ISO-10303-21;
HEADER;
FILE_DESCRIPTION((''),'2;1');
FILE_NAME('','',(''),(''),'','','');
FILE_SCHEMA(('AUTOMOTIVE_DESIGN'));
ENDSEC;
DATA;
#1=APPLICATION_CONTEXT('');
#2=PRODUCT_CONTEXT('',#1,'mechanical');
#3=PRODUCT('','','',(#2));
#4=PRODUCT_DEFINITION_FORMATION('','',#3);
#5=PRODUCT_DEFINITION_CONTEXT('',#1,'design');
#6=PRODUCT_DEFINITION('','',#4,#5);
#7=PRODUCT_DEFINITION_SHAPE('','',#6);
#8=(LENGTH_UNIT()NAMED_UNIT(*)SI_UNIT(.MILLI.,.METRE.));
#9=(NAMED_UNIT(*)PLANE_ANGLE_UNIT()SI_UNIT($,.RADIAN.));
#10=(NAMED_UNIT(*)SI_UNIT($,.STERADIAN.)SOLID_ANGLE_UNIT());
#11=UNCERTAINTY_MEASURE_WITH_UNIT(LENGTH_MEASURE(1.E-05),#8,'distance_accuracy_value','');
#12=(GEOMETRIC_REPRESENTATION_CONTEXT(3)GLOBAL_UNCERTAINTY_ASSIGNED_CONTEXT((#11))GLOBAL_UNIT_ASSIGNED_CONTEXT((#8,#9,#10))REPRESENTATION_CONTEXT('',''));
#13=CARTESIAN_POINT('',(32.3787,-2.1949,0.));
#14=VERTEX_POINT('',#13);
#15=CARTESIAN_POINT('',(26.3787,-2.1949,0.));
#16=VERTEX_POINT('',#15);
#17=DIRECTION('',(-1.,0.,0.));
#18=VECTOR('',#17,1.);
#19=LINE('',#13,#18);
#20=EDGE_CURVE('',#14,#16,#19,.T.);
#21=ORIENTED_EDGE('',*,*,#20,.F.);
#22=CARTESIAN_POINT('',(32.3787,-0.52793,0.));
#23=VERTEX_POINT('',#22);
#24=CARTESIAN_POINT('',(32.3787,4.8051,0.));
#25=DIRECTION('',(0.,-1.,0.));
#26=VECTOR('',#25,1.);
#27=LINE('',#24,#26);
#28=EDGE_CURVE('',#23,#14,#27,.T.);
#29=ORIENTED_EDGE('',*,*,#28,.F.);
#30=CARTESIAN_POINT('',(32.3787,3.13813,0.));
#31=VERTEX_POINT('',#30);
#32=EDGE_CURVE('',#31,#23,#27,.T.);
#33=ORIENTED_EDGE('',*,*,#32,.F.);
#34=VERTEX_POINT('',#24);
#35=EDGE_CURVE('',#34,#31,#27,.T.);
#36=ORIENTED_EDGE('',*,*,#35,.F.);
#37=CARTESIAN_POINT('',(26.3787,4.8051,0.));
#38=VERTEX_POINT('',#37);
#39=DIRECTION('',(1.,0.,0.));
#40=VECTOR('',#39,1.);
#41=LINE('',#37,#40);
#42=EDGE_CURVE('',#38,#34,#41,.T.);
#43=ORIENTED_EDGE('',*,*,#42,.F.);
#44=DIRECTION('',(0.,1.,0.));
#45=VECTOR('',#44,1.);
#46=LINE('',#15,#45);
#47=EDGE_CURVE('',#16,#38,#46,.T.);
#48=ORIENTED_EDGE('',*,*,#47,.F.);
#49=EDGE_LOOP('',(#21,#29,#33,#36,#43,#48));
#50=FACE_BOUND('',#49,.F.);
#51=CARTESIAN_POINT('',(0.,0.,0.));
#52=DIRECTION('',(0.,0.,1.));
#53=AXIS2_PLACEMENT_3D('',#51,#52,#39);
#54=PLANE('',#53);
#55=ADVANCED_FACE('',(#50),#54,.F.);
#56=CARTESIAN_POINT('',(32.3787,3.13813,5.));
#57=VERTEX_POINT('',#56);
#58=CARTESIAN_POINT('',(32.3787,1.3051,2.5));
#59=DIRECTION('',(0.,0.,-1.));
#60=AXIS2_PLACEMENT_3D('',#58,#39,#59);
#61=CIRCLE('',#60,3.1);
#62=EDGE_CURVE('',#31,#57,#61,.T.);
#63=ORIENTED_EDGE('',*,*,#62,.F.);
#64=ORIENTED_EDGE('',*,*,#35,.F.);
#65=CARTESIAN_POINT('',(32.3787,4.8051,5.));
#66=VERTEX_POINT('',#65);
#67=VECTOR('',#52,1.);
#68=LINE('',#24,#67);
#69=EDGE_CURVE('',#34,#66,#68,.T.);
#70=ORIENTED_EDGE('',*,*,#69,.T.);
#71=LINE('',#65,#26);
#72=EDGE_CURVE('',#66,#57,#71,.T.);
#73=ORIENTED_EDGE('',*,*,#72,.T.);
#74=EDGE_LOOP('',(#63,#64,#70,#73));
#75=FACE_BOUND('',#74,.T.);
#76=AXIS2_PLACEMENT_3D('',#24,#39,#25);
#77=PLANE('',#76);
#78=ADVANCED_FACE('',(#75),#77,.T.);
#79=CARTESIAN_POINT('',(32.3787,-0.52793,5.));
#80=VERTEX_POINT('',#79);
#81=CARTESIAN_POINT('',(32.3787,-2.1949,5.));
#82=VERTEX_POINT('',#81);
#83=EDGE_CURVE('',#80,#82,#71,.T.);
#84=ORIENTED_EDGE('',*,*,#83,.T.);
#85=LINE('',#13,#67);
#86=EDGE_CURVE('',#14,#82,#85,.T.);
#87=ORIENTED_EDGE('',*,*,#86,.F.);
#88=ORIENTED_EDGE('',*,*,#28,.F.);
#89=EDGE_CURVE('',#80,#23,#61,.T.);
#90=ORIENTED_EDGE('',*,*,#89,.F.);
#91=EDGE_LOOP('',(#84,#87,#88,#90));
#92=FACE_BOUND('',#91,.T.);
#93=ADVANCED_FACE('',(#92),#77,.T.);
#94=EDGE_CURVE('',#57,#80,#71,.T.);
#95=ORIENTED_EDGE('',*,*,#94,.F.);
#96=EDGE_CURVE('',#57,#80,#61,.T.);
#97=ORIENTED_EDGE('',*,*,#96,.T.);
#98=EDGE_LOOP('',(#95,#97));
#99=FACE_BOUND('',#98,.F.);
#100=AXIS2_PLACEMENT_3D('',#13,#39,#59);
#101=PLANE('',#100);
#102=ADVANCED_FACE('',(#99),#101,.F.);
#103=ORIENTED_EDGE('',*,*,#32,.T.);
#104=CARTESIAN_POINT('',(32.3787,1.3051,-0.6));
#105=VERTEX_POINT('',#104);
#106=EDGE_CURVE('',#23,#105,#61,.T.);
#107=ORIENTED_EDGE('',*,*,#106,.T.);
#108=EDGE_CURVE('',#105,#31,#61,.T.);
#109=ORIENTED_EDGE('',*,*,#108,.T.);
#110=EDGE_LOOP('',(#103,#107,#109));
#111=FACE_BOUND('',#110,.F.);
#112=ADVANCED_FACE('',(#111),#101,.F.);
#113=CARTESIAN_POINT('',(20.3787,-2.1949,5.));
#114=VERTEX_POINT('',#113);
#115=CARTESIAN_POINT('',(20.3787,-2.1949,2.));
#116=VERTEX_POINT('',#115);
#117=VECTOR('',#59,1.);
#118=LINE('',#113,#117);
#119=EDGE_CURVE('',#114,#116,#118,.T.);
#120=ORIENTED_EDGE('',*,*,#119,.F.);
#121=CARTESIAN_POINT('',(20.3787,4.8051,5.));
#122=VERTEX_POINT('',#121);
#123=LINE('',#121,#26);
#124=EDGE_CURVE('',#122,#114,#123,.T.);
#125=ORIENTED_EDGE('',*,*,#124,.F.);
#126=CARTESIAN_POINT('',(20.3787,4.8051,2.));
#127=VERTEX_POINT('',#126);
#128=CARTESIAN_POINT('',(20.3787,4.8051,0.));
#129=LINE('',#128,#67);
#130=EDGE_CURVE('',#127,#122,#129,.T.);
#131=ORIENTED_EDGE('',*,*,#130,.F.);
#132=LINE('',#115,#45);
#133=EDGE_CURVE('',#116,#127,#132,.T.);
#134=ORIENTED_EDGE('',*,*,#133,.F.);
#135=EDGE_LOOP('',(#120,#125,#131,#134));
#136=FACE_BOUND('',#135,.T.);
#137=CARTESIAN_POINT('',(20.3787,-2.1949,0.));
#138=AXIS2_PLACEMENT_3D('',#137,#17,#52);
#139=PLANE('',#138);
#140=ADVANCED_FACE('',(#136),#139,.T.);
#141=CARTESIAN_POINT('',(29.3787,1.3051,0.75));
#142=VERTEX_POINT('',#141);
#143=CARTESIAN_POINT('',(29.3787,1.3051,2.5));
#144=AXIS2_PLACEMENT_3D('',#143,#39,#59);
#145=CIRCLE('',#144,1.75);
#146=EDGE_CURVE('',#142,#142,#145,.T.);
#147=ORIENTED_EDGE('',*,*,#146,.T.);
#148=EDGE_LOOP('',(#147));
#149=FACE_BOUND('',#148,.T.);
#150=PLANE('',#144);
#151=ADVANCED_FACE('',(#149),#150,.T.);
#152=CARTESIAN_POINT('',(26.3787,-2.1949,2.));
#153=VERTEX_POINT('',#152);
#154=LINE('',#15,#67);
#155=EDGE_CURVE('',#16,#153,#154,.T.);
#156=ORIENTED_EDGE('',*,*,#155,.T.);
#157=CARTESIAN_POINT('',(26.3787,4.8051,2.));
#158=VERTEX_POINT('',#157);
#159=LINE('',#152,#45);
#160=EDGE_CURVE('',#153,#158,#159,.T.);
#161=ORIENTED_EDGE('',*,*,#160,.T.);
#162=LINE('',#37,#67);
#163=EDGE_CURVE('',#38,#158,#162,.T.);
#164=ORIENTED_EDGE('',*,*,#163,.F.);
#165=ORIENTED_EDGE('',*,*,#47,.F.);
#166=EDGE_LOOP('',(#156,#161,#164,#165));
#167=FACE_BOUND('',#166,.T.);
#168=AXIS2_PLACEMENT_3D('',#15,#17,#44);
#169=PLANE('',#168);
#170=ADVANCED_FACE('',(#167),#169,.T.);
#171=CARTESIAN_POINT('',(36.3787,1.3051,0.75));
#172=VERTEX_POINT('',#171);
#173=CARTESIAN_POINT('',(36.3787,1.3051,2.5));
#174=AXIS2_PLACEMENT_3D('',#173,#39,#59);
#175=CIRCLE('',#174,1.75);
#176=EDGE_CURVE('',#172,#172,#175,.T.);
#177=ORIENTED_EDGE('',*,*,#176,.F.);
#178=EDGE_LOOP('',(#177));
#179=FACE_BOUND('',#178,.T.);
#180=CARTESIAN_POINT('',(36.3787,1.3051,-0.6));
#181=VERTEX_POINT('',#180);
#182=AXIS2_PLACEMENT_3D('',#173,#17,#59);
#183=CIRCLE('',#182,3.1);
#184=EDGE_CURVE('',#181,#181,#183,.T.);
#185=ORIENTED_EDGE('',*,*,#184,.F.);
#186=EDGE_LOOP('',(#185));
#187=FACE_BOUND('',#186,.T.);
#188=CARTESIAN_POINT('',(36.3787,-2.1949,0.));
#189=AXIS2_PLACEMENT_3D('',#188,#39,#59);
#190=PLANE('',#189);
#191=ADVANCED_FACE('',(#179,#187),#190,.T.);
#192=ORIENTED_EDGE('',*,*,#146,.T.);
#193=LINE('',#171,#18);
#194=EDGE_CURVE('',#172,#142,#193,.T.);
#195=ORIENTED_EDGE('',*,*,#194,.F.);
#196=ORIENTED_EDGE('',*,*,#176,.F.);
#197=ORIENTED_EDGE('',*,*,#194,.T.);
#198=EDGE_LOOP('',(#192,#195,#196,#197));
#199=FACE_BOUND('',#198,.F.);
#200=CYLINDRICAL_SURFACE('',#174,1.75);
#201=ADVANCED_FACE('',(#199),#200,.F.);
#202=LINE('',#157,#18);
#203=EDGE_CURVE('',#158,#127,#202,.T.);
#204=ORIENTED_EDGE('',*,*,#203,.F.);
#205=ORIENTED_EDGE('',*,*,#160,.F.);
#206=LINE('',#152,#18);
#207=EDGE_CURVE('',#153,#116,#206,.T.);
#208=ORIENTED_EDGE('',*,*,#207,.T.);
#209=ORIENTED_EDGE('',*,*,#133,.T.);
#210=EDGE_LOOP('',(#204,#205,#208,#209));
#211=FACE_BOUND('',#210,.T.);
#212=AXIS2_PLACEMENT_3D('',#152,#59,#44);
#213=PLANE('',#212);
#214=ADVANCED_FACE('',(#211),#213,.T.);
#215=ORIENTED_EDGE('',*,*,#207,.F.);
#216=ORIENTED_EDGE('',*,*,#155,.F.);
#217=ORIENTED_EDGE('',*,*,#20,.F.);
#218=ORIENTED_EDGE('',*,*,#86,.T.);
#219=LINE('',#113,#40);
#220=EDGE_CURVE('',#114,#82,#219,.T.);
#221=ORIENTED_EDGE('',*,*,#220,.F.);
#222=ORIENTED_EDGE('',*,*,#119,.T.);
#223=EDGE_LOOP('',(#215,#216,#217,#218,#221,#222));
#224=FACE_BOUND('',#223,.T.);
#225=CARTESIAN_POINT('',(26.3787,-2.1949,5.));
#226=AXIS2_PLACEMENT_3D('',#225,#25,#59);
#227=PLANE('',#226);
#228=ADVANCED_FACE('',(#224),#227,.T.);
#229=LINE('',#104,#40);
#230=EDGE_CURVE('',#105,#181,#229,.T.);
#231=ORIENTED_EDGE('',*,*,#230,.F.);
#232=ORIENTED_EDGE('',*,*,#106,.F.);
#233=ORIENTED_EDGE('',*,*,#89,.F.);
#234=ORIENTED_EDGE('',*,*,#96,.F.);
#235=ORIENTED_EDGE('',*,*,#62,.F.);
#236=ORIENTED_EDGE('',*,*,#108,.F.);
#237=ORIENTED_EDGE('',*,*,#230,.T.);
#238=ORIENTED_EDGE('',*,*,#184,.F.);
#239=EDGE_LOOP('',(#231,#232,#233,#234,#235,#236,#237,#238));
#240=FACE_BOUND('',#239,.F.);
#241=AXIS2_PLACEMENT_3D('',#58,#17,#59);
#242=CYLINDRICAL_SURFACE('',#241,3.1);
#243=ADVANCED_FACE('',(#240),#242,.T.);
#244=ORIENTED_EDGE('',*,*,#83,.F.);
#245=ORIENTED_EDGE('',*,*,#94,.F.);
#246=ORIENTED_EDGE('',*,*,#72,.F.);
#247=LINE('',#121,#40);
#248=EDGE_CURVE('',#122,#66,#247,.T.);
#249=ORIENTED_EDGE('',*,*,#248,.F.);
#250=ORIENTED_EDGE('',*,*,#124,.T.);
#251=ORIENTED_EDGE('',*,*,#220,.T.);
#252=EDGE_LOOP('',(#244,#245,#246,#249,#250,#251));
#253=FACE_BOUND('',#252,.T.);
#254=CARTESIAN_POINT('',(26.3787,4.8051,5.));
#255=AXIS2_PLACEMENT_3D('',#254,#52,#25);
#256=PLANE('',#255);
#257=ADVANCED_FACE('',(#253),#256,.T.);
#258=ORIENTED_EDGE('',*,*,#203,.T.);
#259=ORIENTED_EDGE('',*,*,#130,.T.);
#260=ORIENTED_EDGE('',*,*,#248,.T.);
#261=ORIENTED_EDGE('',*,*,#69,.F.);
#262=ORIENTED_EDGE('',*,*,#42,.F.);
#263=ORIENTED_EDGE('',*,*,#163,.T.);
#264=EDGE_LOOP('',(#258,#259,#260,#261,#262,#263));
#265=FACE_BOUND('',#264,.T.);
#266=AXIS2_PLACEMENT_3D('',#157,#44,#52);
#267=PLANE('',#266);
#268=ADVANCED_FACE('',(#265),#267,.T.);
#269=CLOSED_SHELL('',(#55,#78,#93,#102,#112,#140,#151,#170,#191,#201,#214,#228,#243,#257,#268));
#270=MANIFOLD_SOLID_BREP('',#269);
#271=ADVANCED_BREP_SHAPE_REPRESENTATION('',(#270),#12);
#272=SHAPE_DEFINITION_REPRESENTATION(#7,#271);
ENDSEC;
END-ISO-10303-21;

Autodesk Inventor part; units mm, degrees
ref_plane "YZ Plane" through (0, 0, 0) normal (1, 0, 0) x (0, 1, 0)
ref_plane "XZ Plane" through (0, 0, 0) normal (0, 1, 0) x (-1, 0, 0)
ref_plane "Work Plane1" through (0, 0, 0) normal (0, 0, 1) x (1, 0, 0)
sketch "Sketch1" plane through (0, 0, 0) normal (0, 0, 1) x (1, 0, 0)
  line L0 (26.3787, 4.8051) -> (32.3787, 4.8051)
  line L1 (32.3787, 4.8051) -> (32.3787, -2.1949)
  line L2 (32.3787, -2.1949) -> (26.3787, -2.1949)
  line L3 (26.3787, -2.1949) -> (26.3787, 4.8051)
  point P0 (0, 0)
  dimension "d0" = 6
  dimension "d2" = 7
extrude "Extrusion1" add sketch "Sketch1" along normal blind 5
sketch "Sketch2" plane through (32.3787, -2.1949, 0) normal (1, 0, 0) x (0, 0, -1)
  circle A0 centre (-2.5, 3.5) radius 3.1
  line L0 (0, 7) -> (-5, 7) projected
  line L1 (0, 0) -> (-5, 0) projected
  line L2 (-2.5, 3.5) -> (-2.5, 7)
  line L3 (-2.5, 3.5) -> (-2.5, 0)
  point P0 (0, 2.1949)
  dimension "d5" = 6.2
extrude "Extrusion2" add sketch "Sketch2" along normal blind 4
sketch "Sketch3" plane through (36.3787, 1.3051, 2.5) normal (1, 0, 0) x (0, 0, -1)
  circle A0 centre (0, 0) radius 3.1 projected
  circle A1 centre (0, 0) radius 1.75
  point P0 (2.5, -1.3051)
  dimension "d9" = 3.5
extrude "Extrusion3" cut sketch "Sketch3" against normal blind 7 contours A1
sketch "Sketch4" plane through (26.3787, -2.1949, 0) normal (-1, 0, 0) x (0, 0, 1)
  line L0 (0, 7) -> (5, 7) projected
  line L1 (5, 0) -> (2, 0)
  line L2 (2, 0) -> (2, 7)
  line L3 (2, 7) -> (5, 7)
  line L4 (5, 7) -> (5, 0)
  point P0 (0, 2.1949)
  dimension "d13" = 3
extrude "Extrusion4" add sketch "Sketch4" along normal blind 6
properties part number "nanopc_t4_headphone"
